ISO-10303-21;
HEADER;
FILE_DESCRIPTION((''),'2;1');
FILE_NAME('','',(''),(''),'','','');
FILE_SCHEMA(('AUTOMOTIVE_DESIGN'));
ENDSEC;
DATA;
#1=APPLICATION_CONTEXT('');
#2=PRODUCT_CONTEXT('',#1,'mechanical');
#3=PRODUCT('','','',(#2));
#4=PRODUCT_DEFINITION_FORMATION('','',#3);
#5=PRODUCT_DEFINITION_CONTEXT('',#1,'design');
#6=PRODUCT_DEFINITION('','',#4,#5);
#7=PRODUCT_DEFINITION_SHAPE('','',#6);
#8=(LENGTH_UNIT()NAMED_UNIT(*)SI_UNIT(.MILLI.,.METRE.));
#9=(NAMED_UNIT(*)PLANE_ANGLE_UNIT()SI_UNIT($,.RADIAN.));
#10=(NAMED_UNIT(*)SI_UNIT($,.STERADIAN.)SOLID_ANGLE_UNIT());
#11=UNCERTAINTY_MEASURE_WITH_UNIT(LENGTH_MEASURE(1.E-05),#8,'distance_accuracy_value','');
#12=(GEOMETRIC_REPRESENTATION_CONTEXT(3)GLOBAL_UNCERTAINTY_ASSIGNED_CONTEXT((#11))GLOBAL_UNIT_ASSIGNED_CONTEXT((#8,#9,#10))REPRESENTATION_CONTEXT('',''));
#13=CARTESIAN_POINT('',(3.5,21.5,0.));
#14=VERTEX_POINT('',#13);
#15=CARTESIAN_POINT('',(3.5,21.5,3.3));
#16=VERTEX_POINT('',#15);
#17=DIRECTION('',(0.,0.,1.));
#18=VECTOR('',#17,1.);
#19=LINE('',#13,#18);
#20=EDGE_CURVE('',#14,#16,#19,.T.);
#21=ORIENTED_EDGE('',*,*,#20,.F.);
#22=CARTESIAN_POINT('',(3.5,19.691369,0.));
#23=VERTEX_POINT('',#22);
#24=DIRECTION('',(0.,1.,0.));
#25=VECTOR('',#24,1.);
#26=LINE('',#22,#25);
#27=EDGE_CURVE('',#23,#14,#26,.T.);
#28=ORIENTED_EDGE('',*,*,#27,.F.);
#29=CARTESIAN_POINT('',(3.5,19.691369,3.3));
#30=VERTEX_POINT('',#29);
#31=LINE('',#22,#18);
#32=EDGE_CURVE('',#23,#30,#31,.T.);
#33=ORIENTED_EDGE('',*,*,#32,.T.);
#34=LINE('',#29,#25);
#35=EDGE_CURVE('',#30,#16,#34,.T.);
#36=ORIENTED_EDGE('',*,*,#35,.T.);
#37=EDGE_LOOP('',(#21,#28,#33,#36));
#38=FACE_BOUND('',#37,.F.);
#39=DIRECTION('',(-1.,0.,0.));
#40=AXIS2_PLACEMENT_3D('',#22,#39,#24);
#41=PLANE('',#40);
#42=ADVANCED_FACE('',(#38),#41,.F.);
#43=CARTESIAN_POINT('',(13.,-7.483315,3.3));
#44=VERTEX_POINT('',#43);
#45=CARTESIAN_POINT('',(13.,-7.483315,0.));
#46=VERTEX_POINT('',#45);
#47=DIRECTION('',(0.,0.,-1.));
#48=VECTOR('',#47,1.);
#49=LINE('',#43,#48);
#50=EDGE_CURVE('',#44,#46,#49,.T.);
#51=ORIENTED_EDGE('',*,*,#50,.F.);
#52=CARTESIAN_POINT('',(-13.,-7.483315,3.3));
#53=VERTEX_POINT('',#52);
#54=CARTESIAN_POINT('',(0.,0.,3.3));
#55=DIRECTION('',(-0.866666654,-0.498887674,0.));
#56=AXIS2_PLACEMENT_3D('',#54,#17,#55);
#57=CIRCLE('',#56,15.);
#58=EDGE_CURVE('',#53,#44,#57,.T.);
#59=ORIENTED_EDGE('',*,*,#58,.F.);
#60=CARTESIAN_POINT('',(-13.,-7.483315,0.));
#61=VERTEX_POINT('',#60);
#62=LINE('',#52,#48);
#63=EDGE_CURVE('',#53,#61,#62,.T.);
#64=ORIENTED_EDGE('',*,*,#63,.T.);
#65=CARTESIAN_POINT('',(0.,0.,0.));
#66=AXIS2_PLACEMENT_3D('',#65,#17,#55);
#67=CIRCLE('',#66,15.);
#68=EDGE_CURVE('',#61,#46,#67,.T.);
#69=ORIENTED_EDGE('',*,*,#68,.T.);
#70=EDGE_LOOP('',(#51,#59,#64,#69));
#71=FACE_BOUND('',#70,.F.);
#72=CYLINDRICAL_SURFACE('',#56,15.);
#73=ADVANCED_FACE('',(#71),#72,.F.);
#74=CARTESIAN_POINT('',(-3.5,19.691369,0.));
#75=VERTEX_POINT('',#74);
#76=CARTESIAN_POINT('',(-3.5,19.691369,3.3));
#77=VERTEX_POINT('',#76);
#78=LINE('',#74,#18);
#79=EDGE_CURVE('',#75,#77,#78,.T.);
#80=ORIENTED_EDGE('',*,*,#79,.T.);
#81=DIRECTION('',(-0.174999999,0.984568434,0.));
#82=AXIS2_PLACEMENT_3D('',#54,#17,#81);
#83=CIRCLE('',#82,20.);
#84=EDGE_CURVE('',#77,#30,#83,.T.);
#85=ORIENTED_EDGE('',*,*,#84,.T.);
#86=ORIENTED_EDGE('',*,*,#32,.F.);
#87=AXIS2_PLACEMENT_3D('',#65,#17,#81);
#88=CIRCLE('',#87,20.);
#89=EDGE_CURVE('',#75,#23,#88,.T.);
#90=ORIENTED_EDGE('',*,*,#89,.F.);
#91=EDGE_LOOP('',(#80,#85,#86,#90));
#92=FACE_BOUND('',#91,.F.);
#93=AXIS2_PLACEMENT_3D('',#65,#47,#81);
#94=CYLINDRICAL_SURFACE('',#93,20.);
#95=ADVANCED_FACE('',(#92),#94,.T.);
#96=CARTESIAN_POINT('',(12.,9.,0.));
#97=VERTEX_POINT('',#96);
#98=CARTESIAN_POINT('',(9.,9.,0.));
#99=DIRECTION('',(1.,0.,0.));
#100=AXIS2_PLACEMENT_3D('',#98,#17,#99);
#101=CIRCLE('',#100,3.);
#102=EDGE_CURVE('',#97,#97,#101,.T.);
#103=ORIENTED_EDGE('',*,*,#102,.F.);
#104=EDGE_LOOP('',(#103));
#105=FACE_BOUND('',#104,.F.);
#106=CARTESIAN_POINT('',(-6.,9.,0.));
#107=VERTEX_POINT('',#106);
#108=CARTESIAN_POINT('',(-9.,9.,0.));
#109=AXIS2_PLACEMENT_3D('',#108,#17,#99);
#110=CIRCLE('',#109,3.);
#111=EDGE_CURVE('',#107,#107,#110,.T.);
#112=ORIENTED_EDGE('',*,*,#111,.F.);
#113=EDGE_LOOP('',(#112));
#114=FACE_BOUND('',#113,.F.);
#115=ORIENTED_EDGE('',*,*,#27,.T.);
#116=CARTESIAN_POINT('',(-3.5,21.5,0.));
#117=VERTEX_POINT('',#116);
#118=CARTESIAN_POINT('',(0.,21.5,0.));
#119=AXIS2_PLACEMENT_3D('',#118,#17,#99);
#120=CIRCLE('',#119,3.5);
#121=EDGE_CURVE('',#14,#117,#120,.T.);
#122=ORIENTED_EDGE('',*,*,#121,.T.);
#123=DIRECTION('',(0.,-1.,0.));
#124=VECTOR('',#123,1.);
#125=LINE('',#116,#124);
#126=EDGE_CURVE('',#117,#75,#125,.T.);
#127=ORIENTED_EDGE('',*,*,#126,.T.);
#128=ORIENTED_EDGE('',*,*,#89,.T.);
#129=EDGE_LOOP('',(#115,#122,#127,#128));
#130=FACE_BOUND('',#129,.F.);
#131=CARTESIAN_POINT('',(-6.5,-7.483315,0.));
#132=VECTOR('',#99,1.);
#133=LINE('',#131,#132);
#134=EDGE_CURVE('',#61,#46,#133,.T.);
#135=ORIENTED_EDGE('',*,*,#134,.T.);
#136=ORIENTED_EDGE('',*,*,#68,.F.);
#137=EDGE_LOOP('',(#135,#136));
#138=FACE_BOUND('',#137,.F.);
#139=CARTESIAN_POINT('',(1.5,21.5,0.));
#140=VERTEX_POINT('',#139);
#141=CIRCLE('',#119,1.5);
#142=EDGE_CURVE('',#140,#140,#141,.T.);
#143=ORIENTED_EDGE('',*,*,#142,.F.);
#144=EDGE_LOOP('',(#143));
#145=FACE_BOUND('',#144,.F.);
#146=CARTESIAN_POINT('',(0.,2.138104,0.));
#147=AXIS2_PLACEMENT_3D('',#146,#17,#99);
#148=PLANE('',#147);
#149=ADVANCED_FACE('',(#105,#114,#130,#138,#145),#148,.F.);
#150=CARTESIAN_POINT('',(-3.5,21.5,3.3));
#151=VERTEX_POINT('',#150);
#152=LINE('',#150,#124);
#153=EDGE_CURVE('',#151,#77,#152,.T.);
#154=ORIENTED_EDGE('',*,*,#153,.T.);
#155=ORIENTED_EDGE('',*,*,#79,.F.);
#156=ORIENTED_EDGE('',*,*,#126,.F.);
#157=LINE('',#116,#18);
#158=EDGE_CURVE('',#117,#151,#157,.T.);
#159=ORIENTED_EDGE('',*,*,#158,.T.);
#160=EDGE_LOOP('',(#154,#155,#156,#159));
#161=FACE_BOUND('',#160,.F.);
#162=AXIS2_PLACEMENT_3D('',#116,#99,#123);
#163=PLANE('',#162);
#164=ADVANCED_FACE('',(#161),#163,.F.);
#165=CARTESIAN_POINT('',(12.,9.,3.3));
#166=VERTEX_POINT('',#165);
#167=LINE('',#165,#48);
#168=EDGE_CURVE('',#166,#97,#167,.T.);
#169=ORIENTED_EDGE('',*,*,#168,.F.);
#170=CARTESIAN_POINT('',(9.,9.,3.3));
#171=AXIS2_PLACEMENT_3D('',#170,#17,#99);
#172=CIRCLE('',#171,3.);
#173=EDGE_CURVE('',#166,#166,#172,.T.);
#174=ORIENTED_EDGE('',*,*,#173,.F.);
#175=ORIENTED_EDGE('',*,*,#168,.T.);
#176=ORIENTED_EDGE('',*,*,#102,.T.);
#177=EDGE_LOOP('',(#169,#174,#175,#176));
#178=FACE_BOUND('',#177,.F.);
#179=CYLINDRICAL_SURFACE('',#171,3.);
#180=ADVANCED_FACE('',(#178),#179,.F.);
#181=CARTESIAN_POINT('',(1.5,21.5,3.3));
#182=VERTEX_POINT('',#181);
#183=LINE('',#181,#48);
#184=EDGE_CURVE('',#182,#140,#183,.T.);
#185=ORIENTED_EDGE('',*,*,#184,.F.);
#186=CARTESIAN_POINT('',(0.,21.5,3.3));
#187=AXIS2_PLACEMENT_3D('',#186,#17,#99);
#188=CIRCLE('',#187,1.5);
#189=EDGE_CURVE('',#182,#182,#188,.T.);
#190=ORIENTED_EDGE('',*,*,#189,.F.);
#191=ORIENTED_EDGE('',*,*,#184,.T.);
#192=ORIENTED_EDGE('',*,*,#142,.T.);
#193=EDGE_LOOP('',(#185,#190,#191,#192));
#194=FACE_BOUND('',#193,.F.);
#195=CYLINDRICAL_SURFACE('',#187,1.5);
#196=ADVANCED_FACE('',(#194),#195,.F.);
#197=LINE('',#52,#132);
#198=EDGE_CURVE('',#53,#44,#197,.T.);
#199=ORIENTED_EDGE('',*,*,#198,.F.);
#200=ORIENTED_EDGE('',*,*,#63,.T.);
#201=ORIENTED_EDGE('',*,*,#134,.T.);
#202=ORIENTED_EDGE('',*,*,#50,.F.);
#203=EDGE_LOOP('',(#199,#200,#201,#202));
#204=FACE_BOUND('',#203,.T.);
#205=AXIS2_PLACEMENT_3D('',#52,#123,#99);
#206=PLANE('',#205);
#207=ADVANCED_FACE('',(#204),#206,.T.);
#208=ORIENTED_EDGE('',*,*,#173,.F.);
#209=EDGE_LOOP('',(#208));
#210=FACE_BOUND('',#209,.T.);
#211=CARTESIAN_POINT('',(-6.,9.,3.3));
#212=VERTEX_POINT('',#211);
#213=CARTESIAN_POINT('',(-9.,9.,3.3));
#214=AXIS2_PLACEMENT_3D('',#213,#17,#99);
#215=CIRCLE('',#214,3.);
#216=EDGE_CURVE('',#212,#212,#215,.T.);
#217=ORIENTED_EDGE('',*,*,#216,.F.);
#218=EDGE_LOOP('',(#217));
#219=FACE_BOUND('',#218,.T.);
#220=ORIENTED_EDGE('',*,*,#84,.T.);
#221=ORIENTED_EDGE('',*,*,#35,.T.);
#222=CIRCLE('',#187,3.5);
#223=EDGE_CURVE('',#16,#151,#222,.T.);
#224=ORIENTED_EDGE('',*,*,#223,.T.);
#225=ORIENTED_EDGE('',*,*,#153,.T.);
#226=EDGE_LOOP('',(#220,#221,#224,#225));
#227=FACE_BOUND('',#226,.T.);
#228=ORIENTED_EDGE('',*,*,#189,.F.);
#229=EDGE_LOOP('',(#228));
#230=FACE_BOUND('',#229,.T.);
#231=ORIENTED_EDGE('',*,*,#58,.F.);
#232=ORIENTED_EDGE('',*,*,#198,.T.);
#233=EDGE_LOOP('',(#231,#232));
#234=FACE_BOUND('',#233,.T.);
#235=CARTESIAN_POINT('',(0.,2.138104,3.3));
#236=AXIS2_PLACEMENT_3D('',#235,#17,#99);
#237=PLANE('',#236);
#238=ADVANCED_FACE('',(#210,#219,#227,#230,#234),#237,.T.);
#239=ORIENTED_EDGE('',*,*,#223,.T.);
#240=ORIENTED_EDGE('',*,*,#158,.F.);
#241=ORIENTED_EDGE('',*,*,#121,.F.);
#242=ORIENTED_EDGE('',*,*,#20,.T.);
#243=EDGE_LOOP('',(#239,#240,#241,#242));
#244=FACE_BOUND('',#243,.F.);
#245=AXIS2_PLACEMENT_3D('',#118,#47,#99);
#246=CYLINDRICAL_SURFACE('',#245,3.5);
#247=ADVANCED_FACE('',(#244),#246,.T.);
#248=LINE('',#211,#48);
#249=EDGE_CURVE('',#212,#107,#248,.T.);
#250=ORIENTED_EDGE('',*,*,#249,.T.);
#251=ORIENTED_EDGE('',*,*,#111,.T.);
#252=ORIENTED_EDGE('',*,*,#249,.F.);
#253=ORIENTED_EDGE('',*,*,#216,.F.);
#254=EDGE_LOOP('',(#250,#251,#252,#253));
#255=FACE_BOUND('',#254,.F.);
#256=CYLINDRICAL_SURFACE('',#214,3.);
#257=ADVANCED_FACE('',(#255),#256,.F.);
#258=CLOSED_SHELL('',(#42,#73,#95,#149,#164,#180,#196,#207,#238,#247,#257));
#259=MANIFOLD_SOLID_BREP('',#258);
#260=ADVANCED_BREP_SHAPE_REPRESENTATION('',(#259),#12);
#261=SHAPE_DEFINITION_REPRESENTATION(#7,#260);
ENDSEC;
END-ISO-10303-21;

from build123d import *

# Parameters (mm, degrees)
EXTRUDE_DEPTH   = 3.3
SKETCH002_R     = 3
POCKET001_DEPTH = 5
SKETCH003_R     = 1.5
POCKET002_DEPTH = 5


with BuildPart() as part:
    # Sketch → Extrude (new body)
    with BuildSketch(Plane.XY):
        with BuildLine():
            ThreePointArc((3.5, 21.5), (0, 25), (-3.5, 21.5))
            Line((-3.5, 21.5), (-3.5, 19.691369))
            ThreePointArc((-3.5, 19.691369), (0, -20), (3.5, 19.691369))
            Line((3.5, 19.691369), (3.5, 21.5))
        make_face()
    extrude(amount=EXTRUDE_DEPTH)

    # Sketch002 → Pocket001 (cut)
    with BuildSketch(Plane.XY.offset(3.3)):
        with Locations((-9, 9)):
            Circle(SKETCH002_R)
        with Locations((9, 9)):
            Circle(SKETCH002_R)
        with BuildLine():
            Line((-13, -7.483315), (13, -7.483315))
            ThreePointArc((-13, -7.483315), (0, -15), (13, -7.483315))
        make_face()
    extrude(amount=-POCKET001_DEPTH, mode=Mode.SUBTRACT)

    # Sketch003 → Pocket002 (cut)
    with BuildSketch(Plane.XY.offset(3.3)):
        with Locations((0, 21.5)):
            Circle(SKETCH003_R)
    extrude(amount=-POCKET002_DEPTH, mode=Mode.SUBTRACT)


solid = part.part
